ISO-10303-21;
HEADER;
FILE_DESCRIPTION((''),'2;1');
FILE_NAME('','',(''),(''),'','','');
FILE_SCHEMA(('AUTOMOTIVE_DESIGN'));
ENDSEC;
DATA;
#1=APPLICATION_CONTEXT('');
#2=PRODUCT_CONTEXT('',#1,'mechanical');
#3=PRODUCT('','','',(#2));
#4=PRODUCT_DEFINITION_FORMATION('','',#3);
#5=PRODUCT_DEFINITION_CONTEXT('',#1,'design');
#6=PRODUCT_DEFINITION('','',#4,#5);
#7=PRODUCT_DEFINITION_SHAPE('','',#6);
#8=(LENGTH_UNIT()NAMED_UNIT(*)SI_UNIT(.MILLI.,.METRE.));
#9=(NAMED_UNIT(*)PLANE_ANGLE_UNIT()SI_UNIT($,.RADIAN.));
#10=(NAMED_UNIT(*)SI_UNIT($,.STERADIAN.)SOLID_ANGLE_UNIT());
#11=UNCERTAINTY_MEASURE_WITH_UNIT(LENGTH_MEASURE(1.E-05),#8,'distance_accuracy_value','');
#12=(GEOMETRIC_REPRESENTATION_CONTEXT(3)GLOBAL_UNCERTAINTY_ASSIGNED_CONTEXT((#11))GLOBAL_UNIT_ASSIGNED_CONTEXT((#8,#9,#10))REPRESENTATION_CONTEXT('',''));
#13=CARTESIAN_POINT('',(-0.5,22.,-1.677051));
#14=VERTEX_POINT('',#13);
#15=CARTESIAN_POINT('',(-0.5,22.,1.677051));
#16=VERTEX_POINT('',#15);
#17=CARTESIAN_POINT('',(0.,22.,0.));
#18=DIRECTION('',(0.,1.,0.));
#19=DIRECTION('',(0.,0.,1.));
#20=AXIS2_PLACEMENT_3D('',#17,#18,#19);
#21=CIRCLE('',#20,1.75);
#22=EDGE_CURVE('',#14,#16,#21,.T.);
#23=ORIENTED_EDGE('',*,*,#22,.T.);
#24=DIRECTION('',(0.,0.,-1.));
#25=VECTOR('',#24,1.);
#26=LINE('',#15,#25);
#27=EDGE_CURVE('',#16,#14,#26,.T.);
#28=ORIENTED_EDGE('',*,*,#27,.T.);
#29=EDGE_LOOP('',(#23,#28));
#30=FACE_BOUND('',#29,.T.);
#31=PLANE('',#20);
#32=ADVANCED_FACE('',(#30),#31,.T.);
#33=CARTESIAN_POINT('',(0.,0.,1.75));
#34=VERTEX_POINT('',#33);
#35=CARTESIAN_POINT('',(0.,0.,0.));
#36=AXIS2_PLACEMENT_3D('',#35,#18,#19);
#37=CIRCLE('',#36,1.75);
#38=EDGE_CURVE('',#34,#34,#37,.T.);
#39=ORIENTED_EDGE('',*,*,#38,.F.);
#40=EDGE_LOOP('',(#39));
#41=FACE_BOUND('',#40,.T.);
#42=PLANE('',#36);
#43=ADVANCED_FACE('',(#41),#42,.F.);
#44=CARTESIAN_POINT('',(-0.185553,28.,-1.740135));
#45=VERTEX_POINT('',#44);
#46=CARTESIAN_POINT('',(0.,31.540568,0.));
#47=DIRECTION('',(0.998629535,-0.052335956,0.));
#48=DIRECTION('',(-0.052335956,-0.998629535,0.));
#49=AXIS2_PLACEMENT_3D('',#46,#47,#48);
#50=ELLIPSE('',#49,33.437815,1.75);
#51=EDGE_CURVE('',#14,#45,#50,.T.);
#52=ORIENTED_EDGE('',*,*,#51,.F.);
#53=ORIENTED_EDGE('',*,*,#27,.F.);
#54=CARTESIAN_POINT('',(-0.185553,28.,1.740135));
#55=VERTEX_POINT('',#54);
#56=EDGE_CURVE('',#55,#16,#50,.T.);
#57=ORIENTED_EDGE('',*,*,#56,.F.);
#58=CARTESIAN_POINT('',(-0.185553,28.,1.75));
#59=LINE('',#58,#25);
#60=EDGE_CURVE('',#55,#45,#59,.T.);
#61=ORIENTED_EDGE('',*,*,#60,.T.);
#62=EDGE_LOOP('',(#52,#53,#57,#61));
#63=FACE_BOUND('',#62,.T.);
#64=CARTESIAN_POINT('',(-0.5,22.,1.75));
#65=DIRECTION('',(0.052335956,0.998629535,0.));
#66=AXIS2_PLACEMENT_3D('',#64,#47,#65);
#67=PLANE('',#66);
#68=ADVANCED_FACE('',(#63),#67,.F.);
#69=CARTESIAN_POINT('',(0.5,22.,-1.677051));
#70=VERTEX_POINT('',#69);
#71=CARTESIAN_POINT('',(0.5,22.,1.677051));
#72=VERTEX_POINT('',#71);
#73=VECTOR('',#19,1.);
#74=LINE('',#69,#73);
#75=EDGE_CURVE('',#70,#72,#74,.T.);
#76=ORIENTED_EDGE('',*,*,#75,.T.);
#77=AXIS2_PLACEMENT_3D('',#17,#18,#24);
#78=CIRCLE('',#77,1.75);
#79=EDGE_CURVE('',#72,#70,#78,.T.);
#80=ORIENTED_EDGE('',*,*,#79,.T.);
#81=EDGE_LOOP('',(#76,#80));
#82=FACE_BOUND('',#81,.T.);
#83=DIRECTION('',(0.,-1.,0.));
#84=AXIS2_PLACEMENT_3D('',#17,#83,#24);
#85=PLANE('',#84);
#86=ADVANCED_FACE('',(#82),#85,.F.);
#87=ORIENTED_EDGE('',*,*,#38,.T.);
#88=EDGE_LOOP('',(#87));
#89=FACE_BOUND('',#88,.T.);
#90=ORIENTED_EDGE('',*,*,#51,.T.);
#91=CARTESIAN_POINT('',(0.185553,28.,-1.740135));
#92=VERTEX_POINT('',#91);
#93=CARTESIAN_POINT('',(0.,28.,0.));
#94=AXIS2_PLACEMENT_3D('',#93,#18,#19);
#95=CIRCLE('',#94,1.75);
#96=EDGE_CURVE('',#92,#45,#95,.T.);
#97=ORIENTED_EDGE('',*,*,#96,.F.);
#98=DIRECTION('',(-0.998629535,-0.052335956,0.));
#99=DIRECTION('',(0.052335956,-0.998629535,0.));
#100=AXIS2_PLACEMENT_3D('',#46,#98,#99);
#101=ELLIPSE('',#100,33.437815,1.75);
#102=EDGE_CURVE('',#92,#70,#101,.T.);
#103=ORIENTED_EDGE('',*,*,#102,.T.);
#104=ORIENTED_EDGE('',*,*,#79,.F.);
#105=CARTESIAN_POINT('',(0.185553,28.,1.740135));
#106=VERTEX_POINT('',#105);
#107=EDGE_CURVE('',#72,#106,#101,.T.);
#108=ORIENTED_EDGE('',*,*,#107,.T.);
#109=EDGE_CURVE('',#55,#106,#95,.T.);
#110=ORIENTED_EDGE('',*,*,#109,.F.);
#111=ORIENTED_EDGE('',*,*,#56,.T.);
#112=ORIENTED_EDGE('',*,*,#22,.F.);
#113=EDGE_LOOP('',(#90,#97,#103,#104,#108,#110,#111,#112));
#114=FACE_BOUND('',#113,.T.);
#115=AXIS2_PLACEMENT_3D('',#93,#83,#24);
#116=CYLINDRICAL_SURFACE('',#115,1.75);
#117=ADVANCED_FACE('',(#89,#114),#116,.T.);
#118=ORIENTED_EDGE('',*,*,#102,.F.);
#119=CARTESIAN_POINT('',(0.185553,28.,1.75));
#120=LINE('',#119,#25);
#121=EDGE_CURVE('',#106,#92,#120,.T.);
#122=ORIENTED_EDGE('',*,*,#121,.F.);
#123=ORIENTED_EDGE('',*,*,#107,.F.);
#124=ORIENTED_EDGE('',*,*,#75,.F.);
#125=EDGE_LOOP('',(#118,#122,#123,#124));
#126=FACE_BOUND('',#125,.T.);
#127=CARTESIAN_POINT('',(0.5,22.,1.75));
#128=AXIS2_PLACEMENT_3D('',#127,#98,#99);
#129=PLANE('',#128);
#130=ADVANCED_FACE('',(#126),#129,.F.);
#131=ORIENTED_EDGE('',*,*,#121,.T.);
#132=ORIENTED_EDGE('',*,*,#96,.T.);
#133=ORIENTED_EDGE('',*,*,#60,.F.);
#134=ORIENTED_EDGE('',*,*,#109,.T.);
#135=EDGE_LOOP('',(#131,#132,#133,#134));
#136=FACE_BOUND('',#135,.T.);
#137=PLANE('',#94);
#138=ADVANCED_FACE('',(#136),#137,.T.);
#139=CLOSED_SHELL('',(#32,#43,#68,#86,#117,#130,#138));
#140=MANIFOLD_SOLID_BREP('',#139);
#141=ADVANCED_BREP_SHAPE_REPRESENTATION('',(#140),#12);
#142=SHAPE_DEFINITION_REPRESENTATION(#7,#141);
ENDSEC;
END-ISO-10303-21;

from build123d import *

# Parameters (mm, degrees)
SKETCH2_R               = 1.75
BOSS_EXTRUDE2_DEPTH     = 28
CUT_EXTRUDE1_START      = -6
CUT_EXTRUDE1_DEPTH      = 6
CUT_EXTRUDE2_DEPTH      = 29.263177076
CUT_EXTRUDE2_DEPTH_BACK = 29.263177076


with BuildPart() as part:
    # Sketch2 → Boss-Extrude2 (new body)
    with BuildSketch(Plane(origin=(0, 0, 0), x_dir=(1, 0, 0), z_dir=(0, 1, 0))):
        with Locations(Location((0, 0, 0), (0, 0, 270))):
            Circle(SKETCH2_R)
    extrude(amount=BOSS_EXTRUDE2_DEPTH)

    # Sketch5 → Cut-Extrude1 (cut)
    with BuildSketch(Plane(origin=(0, 28, 0), x_dir=(1, 0, 0), z_dir=(0, 1, 0)).offset(CUT_EXTRUDE1_START)):
        with BuildLine():
            Line((0.5, 1.677050983), (0.5, -1.677050983))
            ThreePointArc((0.5, -1.677050983), (1.75, 0), (0.5, 1.677050983))
        make_face()
        with BuildLine():
            Line((-0.5, -1.677050983), (-0.5, 1.677050983))
            ThreePointArc((-0.5, 1.677050983), (-1.75, 0), (-0.5, -1.677050983))
        make_face()
    extrude(amount=CUT_EXTRUDE1_DEPTH, mode=Mode.SUBTRACT)

    # Sketch9 → Cut-Extrude2 (cut, two sides: drawn at the far end of the back side and taken through both)
    with BuildSketch(Plane(origin=(0, 0, 1.677050983), x_dir=(-1, 0, 0), z_dir=(0, 0, -1)).offset(-CUT_EXTRUDE2_DEPTH_BACK)):
        Polygon((0.5, 22), (0.5, 28), (0.185553324, 28), align=None)
        Polygon((-0.5, 22), (-0.5, 28), (-0.185553324, 28), align=None)
    extrude(amount=CUT_EXTRUDE2_DEPTH + CUT_EXTRUDE2_DEPTH_BACK, mode=Mode.SUBTRACT)


solid = part.part
